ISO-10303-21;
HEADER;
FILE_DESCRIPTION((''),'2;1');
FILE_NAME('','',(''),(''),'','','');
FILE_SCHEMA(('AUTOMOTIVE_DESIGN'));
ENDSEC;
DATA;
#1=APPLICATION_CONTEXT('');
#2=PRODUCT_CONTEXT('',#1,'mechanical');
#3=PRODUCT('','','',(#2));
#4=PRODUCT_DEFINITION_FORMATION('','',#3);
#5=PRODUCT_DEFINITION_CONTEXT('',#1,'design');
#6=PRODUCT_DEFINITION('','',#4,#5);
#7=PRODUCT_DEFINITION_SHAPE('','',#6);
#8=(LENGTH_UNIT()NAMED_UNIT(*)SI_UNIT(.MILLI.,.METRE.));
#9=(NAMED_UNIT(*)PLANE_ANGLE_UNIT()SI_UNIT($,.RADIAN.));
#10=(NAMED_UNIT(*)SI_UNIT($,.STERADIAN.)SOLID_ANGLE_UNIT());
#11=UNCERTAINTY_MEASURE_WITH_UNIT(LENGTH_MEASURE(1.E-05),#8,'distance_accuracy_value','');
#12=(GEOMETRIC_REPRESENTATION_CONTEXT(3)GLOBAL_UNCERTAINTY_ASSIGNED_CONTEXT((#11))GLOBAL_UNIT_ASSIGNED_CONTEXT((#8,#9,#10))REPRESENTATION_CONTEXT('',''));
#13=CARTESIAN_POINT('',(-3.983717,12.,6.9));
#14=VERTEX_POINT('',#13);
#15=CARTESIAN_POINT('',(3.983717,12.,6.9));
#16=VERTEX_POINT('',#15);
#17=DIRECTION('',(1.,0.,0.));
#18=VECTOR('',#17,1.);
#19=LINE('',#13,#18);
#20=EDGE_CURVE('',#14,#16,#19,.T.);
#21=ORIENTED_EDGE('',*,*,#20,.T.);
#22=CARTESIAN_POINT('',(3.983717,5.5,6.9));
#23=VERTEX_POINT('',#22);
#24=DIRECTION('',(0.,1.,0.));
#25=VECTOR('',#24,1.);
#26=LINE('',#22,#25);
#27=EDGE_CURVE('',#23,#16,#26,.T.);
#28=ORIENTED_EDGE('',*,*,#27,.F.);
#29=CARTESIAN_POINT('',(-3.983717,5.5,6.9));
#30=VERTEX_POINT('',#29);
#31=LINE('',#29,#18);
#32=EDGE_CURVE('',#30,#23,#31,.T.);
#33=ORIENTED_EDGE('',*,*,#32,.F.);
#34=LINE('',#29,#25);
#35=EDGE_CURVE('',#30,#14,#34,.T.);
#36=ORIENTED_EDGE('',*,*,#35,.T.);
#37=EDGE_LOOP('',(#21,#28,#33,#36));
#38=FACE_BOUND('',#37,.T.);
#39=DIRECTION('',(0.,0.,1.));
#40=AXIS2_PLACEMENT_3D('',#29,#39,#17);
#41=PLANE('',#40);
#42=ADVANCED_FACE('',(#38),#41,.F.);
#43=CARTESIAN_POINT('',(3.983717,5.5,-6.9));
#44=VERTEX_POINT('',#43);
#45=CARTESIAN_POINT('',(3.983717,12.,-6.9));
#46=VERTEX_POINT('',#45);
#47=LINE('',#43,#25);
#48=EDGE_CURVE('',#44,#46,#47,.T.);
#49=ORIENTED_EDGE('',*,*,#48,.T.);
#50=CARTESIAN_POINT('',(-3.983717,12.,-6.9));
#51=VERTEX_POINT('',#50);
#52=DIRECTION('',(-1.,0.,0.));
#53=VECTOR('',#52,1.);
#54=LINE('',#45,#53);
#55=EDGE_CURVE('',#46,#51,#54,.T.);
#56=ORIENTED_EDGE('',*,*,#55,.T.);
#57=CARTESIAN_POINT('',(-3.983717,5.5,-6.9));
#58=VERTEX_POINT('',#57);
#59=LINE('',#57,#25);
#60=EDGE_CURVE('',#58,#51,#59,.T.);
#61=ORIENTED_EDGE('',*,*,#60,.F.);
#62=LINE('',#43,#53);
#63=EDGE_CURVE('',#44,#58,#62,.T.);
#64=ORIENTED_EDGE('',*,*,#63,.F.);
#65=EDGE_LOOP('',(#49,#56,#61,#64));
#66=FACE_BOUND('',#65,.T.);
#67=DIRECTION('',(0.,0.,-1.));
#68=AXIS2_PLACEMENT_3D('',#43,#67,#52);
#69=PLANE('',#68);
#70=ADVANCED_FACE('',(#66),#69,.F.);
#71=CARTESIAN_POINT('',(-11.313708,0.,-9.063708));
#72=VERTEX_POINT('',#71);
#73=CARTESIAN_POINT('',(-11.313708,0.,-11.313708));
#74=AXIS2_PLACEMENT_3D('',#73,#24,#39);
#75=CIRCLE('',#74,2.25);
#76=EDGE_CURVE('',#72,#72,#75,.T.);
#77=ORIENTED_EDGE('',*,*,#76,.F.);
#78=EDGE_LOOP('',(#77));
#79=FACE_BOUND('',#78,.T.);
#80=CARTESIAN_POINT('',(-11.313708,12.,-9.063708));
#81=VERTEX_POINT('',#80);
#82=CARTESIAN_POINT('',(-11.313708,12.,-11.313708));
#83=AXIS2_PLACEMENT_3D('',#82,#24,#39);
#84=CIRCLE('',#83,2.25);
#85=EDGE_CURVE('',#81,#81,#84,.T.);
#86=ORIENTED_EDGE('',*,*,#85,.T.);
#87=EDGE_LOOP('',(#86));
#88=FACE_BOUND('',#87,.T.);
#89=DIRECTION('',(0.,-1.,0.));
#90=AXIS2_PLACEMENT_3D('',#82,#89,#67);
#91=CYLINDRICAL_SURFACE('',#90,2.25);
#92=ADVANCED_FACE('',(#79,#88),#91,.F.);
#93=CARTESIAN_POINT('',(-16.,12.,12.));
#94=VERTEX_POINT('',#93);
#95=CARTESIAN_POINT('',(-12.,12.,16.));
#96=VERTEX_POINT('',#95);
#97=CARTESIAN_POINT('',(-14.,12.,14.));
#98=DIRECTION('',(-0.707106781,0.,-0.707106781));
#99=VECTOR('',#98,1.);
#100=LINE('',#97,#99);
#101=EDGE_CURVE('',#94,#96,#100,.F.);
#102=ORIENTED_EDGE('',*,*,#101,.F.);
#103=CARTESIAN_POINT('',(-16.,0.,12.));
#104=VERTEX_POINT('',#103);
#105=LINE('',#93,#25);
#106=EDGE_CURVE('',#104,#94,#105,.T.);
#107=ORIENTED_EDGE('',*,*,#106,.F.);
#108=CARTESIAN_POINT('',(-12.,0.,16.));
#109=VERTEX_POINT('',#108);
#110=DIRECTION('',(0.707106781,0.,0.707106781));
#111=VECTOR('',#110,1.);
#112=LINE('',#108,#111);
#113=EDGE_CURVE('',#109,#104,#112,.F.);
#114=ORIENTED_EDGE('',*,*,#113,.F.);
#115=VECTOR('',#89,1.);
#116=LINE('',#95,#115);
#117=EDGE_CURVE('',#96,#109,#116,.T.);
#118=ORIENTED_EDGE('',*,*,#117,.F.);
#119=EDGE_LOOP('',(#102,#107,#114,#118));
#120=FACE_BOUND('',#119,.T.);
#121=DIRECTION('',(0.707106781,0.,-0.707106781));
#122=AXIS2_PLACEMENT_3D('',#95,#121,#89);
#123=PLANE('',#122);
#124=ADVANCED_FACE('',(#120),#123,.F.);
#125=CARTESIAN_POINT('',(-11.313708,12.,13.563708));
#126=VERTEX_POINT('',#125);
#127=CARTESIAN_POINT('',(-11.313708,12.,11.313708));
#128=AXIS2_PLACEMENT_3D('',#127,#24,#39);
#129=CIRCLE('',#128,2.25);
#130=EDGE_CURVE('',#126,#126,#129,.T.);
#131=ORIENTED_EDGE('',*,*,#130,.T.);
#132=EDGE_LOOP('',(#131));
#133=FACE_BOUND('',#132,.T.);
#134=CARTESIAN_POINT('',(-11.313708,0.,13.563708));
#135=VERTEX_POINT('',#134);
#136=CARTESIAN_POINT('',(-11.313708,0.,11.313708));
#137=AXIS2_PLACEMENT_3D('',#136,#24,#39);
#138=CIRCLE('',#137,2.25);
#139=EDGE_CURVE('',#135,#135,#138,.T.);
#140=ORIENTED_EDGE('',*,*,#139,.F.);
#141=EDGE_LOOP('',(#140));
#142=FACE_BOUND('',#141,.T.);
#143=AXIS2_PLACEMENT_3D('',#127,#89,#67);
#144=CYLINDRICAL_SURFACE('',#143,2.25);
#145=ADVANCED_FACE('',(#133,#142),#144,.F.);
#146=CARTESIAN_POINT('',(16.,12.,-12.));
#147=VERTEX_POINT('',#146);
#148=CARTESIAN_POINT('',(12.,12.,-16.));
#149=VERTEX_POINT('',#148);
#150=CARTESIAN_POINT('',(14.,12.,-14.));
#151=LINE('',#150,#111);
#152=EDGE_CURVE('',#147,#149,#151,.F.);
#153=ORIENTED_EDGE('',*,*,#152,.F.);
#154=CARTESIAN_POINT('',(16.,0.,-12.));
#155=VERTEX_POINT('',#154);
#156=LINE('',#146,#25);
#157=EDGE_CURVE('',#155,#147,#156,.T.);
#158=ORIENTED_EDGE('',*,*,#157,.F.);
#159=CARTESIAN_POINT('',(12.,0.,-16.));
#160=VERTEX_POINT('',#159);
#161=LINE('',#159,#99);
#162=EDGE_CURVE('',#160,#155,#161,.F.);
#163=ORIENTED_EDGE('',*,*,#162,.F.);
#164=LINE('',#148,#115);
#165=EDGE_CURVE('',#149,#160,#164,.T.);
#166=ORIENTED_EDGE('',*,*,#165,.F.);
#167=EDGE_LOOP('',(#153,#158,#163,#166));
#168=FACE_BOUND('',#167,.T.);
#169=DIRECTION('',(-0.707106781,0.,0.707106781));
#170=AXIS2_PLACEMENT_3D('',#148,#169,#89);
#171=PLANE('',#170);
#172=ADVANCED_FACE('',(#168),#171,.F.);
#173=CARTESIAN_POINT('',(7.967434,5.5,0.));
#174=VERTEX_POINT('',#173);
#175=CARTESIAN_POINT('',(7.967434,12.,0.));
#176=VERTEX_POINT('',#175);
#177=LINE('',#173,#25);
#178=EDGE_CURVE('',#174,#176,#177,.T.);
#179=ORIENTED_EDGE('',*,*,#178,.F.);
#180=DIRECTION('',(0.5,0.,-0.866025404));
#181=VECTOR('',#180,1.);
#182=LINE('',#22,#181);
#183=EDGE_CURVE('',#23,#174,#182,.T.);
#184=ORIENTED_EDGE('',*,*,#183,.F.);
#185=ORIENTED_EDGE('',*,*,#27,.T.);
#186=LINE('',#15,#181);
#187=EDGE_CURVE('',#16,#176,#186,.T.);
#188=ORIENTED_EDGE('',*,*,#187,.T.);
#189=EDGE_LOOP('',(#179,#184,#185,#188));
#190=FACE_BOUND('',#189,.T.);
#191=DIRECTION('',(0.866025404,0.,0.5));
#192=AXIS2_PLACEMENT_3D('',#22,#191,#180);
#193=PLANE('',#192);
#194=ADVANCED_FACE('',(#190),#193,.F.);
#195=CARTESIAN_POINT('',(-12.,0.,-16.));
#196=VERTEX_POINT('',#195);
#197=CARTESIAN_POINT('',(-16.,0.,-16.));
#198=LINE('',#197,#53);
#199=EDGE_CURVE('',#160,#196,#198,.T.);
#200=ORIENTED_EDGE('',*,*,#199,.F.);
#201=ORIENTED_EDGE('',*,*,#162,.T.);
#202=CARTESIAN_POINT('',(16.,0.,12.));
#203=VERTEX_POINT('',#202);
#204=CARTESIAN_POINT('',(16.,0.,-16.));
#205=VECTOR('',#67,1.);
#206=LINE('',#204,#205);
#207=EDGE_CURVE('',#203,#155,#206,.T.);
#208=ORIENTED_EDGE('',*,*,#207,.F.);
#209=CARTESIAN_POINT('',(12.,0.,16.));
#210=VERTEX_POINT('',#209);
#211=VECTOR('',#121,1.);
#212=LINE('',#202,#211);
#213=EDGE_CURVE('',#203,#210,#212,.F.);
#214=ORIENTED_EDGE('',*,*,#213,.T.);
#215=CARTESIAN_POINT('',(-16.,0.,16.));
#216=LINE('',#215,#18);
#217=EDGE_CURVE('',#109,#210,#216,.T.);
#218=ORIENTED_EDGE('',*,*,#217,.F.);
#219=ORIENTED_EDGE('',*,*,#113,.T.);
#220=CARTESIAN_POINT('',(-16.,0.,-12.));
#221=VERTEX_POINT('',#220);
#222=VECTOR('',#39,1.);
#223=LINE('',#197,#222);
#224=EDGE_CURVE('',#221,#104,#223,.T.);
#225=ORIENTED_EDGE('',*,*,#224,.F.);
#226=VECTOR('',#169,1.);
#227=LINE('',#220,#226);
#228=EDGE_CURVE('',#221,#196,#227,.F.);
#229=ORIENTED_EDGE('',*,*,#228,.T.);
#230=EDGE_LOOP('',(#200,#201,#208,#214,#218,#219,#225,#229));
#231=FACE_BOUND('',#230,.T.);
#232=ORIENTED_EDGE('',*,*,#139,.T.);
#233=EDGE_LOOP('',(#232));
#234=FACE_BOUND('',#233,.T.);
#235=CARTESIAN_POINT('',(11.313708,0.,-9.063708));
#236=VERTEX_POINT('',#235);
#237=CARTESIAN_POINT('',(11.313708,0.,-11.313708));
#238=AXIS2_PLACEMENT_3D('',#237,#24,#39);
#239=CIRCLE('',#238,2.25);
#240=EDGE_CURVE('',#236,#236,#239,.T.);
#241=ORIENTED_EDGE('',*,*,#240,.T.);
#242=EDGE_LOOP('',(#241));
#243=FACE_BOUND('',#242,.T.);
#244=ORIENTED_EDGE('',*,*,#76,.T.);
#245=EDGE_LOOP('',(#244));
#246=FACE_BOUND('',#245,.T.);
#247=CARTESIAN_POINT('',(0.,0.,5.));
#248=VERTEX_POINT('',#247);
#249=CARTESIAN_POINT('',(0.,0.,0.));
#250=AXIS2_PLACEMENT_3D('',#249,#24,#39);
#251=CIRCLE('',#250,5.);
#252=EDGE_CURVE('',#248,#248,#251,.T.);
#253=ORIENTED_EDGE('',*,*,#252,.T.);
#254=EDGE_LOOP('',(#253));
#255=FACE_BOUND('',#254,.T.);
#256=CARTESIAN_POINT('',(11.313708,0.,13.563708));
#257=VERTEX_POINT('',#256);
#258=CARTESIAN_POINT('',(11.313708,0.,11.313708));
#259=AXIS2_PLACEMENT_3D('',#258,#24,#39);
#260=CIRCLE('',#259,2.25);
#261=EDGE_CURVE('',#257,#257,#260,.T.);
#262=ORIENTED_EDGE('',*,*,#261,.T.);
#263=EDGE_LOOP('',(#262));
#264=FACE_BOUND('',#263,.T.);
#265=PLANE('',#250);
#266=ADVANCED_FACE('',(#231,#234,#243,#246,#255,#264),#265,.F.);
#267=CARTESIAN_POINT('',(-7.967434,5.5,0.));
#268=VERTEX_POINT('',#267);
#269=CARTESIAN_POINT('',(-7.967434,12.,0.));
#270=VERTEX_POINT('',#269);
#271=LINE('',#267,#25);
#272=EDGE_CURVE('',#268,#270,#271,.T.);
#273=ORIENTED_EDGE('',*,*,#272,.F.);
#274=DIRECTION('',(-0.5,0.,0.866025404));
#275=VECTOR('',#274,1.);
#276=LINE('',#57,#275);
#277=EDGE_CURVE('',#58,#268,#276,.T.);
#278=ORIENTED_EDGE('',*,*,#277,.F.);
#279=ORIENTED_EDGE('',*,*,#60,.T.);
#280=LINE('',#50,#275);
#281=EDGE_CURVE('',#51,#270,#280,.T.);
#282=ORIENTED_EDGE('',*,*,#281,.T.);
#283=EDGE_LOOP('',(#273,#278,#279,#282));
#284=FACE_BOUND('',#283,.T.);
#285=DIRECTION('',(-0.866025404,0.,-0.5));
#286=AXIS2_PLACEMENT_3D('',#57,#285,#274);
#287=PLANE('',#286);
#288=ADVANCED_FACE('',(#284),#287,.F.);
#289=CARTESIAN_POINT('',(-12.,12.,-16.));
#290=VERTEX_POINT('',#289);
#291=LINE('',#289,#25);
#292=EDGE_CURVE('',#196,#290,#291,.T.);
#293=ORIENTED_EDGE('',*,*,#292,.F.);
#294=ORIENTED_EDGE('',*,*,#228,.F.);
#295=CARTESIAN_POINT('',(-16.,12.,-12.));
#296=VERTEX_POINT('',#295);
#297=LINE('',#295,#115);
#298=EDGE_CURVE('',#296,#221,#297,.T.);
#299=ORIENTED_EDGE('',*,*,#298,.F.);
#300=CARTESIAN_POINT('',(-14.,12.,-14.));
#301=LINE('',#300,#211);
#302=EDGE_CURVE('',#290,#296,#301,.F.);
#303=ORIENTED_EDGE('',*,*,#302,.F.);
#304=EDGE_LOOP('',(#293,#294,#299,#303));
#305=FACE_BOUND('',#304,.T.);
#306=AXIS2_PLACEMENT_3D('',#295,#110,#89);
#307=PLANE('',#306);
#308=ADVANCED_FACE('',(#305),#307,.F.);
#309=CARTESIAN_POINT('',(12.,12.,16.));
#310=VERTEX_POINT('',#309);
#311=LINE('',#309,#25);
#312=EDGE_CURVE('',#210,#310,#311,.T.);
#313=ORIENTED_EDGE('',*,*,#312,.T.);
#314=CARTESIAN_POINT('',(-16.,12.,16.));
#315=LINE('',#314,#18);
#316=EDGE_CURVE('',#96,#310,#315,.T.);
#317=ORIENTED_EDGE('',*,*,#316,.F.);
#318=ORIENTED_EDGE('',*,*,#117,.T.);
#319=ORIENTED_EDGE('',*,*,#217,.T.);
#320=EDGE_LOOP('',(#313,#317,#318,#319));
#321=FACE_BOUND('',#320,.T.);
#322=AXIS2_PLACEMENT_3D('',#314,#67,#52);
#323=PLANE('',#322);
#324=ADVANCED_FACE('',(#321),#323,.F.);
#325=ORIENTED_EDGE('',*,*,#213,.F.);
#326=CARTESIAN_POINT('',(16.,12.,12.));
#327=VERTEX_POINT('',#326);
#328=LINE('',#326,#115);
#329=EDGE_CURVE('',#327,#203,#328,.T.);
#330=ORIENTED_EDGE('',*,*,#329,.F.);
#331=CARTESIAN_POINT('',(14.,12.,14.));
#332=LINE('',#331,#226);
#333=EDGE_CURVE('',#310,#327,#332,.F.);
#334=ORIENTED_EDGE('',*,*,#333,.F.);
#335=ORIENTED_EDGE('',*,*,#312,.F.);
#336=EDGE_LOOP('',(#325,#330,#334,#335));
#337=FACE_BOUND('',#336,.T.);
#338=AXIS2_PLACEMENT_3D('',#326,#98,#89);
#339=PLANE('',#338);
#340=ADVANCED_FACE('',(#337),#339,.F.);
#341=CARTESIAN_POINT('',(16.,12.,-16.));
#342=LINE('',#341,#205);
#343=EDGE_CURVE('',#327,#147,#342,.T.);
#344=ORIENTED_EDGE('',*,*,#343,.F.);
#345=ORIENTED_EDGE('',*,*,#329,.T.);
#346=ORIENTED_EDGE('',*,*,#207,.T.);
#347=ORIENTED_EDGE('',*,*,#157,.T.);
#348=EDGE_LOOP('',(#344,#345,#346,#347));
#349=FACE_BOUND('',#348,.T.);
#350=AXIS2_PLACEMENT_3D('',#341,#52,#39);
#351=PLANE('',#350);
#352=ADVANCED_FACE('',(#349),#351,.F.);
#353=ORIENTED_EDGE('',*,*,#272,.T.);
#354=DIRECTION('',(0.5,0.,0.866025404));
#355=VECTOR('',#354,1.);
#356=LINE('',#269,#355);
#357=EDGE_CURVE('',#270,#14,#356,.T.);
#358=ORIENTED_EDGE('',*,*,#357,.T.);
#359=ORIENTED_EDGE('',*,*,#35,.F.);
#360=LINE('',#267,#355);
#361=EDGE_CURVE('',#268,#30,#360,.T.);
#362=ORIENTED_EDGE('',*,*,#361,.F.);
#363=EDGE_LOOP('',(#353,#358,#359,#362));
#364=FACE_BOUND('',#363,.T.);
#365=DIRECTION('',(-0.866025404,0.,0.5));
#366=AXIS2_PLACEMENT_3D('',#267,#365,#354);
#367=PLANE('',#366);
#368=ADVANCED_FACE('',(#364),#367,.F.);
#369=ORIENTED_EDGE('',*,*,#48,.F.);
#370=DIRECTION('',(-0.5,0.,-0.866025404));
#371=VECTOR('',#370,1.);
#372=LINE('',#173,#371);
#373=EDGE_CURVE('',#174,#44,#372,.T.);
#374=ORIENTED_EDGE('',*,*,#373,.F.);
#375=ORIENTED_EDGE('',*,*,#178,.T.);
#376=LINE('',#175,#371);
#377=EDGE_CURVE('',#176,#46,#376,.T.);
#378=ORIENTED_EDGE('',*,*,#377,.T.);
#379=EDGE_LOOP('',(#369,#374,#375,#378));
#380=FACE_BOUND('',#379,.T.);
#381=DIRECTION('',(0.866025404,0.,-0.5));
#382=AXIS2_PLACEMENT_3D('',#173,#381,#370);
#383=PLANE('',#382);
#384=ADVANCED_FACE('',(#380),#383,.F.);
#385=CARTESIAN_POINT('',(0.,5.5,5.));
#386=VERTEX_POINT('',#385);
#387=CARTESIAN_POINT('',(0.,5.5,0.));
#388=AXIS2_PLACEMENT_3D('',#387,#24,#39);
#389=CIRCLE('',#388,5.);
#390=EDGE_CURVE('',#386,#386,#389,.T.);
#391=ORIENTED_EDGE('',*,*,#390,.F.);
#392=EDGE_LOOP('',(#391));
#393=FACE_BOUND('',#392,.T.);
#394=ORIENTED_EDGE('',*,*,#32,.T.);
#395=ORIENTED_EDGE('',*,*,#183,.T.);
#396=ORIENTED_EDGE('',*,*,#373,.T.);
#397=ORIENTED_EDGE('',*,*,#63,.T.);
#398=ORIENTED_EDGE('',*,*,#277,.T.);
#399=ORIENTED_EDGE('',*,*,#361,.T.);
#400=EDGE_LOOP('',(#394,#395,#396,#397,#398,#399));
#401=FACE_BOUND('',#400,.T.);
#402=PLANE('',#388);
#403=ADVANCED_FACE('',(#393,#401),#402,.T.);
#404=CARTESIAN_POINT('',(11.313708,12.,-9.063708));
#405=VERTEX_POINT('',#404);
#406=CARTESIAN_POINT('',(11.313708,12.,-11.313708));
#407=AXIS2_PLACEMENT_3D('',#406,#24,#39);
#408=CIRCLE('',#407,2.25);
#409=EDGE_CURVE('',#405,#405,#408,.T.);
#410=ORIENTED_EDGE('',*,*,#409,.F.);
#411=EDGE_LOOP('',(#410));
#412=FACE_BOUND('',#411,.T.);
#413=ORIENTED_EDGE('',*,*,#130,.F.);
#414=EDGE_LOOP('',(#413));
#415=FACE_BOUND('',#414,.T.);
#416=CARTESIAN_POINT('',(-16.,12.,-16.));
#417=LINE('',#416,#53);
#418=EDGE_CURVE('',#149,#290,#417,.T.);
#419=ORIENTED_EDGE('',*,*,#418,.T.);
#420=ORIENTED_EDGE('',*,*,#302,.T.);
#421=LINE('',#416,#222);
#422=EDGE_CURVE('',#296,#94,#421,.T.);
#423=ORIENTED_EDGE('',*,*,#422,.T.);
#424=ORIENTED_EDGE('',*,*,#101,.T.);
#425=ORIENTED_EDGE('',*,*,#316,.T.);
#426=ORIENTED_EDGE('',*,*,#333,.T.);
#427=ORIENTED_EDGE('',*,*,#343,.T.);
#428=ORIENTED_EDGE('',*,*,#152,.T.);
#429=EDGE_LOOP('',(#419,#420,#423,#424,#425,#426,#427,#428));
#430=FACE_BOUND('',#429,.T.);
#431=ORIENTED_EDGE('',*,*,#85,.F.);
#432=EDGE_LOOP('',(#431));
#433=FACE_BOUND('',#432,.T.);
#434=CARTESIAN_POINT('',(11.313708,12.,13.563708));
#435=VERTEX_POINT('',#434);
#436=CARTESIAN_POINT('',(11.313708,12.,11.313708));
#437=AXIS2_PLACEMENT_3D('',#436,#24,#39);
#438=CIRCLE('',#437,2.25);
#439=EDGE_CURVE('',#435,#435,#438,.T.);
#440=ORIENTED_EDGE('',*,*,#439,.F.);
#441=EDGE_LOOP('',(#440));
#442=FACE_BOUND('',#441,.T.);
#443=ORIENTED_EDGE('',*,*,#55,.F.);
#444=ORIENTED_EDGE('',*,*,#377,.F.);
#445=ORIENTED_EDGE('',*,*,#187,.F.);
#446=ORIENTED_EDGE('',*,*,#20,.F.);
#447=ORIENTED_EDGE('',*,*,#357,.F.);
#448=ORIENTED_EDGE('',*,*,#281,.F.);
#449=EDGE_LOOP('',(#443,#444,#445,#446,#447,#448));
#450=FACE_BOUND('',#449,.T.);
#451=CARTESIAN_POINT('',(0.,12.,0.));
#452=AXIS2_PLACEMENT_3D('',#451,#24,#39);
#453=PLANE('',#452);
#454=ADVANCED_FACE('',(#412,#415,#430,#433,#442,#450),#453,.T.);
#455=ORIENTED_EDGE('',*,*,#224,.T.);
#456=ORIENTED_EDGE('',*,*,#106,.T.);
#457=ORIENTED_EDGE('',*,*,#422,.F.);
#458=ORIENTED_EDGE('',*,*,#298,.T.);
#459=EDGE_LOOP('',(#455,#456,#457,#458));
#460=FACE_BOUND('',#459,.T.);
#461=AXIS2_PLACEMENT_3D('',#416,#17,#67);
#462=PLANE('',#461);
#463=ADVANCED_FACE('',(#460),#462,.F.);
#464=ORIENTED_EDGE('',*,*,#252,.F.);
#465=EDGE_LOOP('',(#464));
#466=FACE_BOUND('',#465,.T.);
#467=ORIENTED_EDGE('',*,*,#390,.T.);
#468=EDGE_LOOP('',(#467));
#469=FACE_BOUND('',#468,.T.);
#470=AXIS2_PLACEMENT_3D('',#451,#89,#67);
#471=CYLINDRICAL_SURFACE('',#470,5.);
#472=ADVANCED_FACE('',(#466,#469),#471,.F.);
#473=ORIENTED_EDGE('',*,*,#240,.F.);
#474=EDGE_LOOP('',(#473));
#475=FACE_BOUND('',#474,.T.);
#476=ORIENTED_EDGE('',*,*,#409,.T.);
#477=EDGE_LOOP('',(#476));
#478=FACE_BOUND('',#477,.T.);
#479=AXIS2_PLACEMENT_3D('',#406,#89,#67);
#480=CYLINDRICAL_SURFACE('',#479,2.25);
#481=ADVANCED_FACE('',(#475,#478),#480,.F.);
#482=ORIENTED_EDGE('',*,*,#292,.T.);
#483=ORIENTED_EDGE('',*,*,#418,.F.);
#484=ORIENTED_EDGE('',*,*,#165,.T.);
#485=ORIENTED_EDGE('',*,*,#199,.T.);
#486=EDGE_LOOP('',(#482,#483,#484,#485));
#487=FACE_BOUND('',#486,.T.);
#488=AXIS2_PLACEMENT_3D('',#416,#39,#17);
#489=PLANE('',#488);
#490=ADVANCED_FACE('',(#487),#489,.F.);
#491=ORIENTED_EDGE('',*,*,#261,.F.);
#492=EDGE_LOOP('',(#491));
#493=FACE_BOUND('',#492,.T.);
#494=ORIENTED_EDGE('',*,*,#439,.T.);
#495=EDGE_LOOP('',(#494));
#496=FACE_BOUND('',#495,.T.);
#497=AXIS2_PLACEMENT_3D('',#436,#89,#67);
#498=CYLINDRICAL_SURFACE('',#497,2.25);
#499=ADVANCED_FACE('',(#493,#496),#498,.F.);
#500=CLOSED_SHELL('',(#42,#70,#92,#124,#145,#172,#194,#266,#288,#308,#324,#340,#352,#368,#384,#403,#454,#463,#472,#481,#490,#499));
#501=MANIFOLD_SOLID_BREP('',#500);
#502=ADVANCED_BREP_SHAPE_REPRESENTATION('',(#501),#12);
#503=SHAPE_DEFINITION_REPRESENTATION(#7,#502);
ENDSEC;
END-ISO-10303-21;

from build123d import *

# Parameters (mm, degrees)
SKETCH1_W           = 32
SKETCH1_H           = 32
SKETCH1_R           = 5
SKETCH1_R_2         = 2.25
BOSS_EXTRUDE1_DEPTH = 12
CHAMFER1_SIZE       = 4
CUT_EXTRUDE1_DEPTH  = 6.5


with BuildPart() as part:
    # Sketch1 → Boss-Extrude1 (new body)
    with BuildSketch(Plane(origin=(0, 0, 0), x_dir=(1, 0, 0), z_dir=(0, 1, 0))):
        Rectangle(SKETCH1_W, SKETCH1_H)
        with Locations(Location((0, 0, 0), (0, 0, 270))):
            Circle(SKETCH1_R, mode=Mode.SUBTRACT)
        with Locations(Location((-11.313708499, 11.313708499, 0), (0, 0, 270))):
            Circle(SKETCH1_R_2, mode=Mode.SUBTRACT)
        with Locations(Location((-11.313708499, -11.313708499, 0), (0, 0, 270))):
            Circle(SKETCH1_R_2, mode=Mode.SUBTRACT)
        with Locations(Location((11.313708499, -11.313708499, 0), (0, 0, 270))):
            Circle(SKETCH1_R_2, mode=Mode.SUBTRACT)
        with Locations(Location((11.313708499, 11.313708499, 0), (0, 0, 270))):
            Circle(SKETCH1_R_2, mode=Mode.SUBTRACT)
    extrude(amount=BOSS_EXTRUDE1_DEPTH)

    # Chamfer1
    chamfer1_edges = [part.edges().sort_by_distance(p)[0] for p in [
        (16, 6, 16),
        (-16, 6, 16),
        (-16, 6, -16),
        (16, 6, -16),
    ]]
    chamfer(chamfer1_edges, length=CHAMFER1_SIZE)

    # Sketch4 → Cut-Extrude1 (cut)
    with BuildSketch(Plane(origin=(0, 12, 0), x_dir=(1, 0, 0), z_dir=(0, 1, 0))):
        Polygon((3.983716857, -6.9), (7.967433715, 0), (3.983716857, 6.9), (-3.983716857, 6.9), (-7.967433715, 0), (-3.983716857, -6.9), align=None)
    extrude(amount=-CUT_EXTRUDE1_DEPTH, mode=Mode.SUBTRACT)


solid = part.part
